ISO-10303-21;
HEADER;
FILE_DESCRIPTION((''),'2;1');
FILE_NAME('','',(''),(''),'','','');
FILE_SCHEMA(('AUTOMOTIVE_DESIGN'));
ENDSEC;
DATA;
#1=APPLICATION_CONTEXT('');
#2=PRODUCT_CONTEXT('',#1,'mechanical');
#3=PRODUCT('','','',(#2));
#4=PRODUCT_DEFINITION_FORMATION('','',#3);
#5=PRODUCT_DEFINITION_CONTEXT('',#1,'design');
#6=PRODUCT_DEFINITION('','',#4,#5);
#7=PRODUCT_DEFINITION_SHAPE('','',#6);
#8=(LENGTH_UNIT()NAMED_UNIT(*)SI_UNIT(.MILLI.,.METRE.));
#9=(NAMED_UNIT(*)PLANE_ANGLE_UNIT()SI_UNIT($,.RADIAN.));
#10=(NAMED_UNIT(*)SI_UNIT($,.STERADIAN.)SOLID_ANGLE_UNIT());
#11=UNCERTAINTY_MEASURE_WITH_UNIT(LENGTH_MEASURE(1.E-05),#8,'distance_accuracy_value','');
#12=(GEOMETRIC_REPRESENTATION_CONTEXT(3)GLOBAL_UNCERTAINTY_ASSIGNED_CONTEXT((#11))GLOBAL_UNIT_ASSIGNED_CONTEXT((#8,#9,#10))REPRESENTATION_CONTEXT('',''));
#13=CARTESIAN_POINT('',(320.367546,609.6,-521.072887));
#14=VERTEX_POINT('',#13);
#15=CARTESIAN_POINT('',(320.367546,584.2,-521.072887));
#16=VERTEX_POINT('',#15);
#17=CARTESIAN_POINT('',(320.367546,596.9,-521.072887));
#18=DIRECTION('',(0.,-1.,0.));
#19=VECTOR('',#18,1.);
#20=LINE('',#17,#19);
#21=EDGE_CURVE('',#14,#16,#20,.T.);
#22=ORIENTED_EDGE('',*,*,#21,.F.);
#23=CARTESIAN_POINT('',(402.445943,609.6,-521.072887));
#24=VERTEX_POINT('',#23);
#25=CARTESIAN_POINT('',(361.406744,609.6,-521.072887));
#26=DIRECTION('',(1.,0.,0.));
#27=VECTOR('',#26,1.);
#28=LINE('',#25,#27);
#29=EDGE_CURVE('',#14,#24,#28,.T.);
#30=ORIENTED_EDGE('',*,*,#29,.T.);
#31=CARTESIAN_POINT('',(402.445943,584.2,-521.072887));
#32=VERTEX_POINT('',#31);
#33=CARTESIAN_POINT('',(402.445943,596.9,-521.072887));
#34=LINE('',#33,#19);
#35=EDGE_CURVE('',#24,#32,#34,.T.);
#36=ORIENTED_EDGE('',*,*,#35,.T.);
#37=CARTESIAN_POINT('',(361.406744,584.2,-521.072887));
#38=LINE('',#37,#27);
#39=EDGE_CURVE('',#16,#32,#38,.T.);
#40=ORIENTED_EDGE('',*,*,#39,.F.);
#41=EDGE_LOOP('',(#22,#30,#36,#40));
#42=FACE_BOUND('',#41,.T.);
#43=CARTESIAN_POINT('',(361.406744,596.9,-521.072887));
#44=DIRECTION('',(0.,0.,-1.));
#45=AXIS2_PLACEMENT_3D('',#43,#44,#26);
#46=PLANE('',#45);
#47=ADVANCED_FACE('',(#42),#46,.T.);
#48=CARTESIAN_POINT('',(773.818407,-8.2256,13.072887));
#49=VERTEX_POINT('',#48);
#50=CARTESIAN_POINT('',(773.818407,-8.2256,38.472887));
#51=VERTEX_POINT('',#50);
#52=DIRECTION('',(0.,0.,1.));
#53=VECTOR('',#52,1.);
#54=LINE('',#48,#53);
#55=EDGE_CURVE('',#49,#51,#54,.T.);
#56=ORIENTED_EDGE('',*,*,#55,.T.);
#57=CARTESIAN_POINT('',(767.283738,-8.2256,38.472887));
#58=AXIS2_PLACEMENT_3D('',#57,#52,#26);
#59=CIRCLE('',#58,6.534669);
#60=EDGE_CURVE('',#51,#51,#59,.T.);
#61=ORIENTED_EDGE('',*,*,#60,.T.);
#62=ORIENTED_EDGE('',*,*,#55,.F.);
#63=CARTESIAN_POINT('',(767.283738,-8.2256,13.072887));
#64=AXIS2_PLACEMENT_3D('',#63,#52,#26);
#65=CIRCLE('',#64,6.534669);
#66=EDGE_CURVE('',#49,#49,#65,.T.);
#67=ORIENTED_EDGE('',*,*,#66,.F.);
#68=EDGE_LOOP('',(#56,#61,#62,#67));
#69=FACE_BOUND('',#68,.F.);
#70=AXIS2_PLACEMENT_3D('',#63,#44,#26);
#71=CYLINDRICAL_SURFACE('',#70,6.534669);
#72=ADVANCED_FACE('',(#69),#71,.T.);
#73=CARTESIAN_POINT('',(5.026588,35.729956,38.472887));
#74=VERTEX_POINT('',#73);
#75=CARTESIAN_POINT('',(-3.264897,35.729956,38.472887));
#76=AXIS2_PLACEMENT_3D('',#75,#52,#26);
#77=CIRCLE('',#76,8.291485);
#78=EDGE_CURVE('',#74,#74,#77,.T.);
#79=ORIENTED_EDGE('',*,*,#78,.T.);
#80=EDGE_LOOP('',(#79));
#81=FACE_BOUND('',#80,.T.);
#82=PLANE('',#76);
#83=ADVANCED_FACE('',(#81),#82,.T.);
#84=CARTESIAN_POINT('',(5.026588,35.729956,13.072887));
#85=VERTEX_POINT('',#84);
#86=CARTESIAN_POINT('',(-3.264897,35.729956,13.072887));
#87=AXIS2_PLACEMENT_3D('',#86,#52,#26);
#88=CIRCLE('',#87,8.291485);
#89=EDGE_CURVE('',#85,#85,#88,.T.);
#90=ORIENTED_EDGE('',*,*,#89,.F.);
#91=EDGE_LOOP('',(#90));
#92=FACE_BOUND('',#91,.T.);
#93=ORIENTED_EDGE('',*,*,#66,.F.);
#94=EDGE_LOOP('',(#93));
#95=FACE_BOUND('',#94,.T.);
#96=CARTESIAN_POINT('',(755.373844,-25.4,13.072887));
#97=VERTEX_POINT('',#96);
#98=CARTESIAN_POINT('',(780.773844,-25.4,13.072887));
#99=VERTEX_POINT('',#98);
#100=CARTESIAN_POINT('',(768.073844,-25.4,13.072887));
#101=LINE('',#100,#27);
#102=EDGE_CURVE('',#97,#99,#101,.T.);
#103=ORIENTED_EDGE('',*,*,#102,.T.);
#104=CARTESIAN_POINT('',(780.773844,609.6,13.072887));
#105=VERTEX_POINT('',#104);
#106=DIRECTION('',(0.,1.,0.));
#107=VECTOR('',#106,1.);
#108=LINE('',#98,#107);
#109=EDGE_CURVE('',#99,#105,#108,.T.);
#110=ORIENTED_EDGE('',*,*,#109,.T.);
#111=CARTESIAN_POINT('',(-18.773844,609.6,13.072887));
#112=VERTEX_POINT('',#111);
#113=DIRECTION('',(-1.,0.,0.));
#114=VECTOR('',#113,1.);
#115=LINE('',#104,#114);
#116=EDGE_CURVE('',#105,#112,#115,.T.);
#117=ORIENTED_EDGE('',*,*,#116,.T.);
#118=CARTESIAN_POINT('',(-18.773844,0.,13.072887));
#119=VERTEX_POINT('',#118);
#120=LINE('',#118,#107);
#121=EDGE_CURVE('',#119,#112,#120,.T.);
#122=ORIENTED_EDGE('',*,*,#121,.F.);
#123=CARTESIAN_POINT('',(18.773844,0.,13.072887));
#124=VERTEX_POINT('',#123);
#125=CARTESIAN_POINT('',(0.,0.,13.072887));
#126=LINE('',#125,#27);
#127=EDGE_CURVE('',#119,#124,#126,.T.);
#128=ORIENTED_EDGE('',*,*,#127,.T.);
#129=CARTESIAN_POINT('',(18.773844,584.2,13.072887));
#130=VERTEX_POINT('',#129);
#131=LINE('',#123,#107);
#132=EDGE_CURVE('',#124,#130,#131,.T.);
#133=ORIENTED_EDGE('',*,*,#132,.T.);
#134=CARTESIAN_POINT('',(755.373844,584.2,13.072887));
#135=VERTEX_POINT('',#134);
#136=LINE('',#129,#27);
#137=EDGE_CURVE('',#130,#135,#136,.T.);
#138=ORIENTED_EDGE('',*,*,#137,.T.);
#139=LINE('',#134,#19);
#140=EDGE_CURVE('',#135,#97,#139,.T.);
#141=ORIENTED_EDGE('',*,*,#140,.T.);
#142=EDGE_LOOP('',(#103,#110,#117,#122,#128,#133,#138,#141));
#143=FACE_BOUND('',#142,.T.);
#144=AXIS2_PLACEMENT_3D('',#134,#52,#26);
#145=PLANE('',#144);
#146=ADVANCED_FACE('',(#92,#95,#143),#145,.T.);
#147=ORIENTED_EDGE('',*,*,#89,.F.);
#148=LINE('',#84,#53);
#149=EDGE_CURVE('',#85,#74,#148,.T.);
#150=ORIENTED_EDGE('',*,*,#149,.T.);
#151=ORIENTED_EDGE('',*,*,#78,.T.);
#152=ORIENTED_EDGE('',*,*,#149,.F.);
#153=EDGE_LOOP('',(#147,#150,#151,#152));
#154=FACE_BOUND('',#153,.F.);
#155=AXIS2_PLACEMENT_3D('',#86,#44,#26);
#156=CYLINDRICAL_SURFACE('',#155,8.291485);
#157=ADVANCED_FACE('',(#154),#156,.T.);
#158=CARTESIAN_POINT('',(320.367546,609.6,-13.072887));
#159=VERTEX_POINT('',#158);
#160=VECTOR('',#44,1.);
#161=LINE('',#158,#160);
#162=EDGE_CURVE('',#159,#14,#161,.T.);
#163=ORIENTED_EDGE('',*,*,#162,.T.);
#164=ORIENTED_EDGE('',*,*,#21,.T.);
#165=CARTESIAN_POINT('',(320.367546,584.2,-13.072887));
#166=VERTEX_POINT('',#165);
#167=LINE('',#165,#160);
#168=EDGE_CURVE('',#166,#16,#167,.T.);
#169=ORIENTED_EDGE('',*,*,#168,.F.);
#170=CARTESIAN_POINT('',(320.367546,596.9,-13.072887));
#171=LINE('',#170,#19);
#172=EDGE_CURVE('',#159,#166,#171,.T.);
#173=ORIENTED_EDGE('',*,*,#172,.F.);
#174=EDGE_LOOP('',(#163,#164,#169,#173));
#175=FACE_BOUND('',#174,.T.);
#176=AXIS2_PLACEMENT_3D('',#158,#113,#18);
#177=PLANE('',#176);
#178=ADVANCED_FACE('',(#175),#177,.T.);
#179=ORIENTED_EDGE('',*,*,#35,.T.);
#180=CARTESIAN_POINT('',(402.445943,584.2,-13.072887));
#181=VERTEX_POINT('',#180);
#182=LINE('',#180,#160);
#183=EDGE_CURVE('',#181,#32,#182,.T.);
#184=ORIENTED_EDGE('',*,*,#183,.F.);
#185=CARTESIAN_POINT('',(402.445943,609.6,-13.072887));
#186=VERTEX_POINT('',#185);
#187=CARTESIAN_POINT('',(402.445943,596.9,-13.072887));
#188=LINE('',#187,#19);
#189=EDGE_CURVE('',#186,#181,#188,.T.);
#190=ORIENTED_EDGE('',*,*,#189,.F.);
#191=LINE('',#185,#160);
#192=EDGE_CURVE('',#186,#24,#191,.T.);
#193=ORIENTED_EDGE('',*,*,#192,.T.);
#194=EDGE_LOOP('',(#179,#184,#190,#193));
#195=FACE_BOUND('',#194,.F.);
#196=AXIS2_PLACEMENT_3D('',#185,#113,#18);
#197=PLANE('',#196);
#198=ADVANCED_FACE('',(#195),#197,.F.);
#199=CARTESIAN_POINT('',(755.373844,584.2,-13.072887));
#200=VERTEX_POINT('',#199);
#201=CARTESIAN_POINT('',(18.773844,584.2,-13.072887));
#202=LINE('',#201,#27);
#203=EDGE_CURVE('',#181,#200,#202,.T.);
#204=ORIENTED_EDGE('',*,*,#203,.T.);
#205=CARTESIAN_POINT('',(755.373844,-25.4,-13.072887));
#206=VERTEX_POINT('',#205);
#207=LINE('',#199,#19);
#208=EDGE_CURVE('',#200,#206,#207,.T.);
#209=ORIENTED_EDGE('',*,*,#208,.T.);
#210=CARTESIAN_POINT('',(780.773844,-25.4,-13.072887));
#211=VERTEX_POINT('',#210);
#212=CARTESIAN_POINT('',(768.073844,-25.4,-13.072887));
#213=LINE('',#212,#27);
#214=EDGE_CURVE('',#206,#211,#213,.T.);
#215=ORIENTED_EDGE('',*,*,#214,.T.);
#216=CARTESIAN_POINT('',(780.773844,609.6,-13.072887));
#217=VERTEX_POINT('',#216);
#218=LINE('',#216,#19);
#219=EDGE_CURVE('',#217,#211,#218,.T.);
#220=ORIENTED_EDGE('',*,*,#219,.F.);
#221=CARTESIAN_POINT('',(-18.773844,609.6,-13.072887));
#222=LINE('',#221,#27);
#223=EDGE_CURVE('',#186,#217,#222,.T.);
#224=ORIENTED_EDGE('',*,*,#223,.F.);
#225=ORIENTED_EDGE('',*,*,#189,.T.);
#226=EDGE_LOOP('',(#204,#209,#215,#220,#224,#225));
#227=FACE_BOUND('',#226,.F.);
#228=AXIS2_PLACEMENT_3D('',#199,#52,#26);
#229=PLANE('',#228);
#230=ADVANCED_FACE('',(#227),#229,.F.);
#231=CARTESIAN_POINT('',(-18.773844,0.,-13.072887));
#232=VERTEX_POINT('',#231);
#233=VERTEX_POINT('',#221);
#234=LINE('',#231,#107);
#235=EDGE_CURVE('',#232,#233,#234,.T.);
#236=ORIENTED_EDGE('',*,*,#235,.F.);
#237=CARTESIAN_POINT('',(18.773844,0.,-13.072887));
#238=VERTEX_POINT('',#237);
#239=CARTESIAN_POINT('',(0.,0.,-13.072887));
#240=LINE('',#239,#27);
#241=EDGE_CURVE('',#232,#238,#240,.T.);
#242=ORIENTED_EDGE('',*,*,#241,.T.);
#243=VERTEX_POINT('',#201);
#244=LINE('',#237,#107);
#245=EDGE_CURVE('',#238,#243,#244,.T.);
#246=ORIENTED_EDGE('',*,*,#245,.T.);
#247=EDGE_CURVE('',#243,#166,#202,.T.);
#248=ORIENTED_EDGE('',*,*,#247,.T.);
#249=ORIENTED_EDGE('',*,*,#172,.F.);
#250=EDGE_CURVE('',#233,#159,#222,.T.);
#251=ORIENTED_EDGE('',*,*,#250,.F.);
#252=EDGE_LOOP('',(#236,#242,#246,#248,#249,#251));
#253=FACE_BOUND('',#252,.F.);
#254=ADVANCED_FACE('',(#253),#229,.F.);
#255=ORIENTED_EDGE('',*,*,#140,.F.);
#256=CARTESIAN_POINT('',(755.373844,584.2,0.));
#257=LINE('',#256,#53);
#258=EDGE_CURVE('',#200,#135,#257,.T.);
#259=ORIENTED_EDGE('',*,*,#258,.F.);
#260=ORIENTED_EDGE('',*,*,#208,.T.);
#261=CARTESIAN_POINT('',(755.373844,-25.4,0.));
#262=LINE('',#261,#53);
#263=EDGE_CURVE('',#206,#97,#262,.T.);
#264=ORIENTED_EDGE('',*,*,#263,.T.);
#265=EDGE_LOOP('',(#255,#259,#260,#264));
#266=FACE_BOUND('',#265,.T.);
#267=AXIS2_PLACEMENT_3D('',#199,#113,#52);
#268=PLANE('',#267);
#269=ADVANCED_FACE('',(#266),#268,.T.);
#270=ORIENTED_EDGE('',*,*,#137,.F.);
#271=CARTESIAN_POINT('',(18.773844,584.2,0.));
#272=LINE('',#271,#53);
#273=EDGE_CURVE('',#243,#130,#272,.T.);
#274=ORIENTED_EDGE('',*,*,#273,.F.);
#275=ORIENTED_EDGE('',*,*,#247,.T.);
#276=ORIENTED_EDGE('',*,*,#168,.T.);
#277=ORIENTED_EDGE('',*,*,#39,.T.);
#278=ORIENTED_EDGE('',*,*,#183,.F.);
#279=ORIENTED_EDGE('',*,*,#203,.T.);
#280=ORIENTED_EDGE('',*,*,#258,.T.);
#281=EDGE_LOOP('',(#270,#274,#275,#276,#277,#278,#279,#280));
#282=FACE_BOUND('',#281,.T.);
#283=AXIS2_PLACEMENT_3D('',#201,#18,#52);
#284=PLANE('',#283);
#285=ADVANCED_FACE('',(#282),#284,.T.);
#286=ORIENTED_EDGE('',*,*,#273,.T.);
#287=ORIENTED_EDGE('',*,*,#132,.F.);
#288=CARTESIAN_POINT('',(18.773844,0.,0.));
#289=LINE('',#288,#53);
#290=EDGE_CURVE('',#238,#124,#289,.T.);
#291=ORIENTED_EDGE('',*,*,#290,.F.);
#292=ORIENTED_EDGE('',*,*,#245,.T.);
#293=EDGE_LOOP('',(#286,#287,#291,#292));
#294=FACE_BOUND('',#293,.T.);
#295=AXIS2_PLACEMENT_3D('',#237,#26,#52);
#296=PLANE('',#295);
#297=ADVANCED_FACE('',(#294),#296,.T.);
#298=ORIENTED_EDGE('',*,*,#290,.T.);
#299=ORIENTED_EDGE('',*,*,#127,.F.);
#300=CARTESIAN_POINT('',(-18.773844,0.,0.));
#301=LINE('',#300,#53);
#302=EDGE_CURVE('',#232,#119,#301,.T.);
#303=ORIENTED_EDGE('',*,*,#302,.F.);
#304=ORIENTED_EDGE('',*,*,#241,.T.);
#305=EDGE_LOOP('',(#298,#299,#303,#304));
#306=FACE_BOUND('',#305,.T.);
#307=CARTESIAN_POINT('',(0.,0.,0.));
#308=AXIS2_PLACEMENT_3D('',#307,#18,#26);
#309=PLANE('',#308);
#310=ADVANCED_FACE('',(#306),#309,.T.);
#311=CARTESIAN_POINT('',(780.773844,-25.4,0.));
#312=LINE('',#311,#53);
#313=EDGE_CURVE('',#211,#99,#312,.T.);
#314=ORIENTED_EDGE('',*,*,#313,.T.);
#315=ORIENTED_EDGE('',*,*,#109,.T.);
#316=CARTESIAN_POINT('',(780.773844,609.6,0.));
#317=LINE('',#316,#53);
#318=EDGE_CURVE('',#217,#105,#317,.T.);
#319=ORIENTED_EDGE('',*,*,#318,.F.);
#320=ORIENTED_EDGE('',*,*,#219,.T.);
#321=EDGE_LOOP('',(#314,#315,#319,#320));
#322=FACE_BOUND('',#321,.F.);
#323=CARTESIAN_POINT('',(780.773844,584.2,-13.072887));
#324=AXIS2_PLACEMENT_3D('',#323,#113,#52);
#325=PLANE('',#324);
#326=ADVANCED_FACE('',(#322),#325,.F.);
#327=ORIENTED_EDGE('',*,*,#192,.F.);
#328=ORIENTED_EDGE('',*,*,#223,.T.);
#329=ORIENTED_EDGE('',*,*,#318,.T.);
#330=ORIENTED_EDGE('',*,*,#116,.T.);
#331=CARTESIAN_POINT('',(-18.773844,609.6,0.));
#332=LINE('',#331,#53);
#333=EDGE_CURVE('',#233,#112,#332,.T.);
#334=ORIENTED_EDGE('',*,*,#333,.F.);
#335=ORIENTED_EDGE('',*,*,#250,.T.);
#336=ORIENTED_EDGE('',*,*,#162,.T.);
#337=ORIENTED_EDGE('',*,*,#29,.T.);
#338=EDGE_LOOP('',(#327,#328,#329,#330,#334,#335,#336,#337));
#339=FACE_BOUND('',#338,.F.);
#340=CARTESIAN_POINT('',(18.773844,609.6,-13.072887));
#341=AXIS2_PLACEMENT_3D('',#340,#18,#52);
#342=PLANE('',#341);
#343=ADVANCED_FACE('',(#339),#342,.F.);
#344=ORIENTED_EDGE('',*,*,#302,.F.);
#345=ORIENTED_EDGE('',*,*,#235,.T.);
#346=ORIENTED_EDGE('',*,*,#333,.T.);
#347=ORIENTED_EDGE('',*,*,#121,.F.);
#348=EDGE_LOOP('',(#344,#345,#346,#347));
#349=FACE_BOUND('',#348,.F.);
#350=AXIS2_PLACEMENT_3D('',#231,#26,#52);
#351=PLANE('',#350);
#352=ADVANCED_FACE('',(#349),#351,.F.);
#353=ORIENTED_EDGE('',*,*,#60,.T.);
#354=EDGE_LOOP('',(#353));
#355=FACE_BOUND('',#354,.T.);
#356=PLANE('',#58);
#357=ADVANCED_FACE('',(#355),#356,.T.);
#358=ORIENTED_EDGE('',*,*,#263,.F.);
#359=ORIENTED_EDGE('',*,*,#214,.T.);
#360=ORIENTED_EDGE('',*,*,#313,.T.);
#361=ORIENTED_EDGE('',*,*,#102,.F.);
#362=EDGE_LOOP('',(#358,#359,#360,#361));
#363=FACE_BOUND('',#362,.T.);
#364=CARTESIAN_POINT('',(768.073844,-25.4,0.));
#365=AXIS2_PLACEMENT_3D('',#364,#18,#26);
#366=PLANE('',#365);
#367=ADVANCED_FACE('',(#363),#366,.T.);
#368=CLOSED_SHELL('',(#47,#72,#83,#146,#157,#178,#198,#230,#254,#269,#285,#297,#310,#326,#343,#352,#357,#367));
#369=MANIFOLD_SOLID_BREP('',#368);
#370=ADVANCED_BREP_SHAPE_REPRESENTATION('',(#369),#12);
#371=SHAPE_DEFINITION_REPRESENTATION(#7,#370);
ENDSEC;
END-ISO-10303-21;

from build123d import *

# Parameters (mm, degrees)
F0_W      = 37.547688
F0_H      = 26.145774
F1_DEPTH  = 609.6
F2_W      = 25.4
F2_H      = 26.145774
F3_DEPTH  = 762
F4_W      = 25.4
F4_H      = 26.145774
F5_DEPTH  = 609.6
F6_W      = 82.078397
F6_H      = 25.4
F7_DEPTH  = 508
F8_R      = 8.291485
F9_DEPTH  = 25.4
F10_R     = 6.534669
F11_DEPTH = 25.4


with BuildPart() as f1:
    # F0 (on Front) → F1 (new body)
    with BuildSketch(Plane.XZ):
        Rectangle(F0_W, F0_H)
    extrude(amount=-F1_DEPTH)

    # F2 (on face) → F3 (join)
    with BuildSketch(Plane.YZ.offset(18.773844)):
        with Locations((596.9, 0)):
            Rectangle(F2_W, F2_H)
    extrude(amount=F3_DEPTH)

    # F4 (on face) → F5 (join)
    with BuildSketch(Plane.XZ.offset(-584.2)):
        with Locations((768.073844, 0)):
            Rectangle(F4_W, F4_H)
    extrude(amount=F5_DEPTH)

    # F6 (on face) → F7 (join)
    with BuildSketch(Plane(origin=(0, 0, -13.072887), x_dir=(1, 0, 0), z_dir=(0, 0, -1))):
        with Locations((361.406744, -596.9)):
            Rectangle(F6_W, F6_H)
    extrude(amount=F7_DEPTH)

    # F8 (on face) → F9 (join)
    with BuildSketch(Plane.XY.offset(13.072887)):
        with Locations((-3.264897, 35.729956)):
            Circle(F8_R)
    extrude(amount=F9_DEPTH)

    # F10 (on face) → F11 (join)
    with BuildSketch(Plane.XY.offset(13.072887)):
        with Locations((767.283738, -8.2256)):
            Circle(F10_R)
    extrude(amount=F11_DEPTH)


solid = f1.part
